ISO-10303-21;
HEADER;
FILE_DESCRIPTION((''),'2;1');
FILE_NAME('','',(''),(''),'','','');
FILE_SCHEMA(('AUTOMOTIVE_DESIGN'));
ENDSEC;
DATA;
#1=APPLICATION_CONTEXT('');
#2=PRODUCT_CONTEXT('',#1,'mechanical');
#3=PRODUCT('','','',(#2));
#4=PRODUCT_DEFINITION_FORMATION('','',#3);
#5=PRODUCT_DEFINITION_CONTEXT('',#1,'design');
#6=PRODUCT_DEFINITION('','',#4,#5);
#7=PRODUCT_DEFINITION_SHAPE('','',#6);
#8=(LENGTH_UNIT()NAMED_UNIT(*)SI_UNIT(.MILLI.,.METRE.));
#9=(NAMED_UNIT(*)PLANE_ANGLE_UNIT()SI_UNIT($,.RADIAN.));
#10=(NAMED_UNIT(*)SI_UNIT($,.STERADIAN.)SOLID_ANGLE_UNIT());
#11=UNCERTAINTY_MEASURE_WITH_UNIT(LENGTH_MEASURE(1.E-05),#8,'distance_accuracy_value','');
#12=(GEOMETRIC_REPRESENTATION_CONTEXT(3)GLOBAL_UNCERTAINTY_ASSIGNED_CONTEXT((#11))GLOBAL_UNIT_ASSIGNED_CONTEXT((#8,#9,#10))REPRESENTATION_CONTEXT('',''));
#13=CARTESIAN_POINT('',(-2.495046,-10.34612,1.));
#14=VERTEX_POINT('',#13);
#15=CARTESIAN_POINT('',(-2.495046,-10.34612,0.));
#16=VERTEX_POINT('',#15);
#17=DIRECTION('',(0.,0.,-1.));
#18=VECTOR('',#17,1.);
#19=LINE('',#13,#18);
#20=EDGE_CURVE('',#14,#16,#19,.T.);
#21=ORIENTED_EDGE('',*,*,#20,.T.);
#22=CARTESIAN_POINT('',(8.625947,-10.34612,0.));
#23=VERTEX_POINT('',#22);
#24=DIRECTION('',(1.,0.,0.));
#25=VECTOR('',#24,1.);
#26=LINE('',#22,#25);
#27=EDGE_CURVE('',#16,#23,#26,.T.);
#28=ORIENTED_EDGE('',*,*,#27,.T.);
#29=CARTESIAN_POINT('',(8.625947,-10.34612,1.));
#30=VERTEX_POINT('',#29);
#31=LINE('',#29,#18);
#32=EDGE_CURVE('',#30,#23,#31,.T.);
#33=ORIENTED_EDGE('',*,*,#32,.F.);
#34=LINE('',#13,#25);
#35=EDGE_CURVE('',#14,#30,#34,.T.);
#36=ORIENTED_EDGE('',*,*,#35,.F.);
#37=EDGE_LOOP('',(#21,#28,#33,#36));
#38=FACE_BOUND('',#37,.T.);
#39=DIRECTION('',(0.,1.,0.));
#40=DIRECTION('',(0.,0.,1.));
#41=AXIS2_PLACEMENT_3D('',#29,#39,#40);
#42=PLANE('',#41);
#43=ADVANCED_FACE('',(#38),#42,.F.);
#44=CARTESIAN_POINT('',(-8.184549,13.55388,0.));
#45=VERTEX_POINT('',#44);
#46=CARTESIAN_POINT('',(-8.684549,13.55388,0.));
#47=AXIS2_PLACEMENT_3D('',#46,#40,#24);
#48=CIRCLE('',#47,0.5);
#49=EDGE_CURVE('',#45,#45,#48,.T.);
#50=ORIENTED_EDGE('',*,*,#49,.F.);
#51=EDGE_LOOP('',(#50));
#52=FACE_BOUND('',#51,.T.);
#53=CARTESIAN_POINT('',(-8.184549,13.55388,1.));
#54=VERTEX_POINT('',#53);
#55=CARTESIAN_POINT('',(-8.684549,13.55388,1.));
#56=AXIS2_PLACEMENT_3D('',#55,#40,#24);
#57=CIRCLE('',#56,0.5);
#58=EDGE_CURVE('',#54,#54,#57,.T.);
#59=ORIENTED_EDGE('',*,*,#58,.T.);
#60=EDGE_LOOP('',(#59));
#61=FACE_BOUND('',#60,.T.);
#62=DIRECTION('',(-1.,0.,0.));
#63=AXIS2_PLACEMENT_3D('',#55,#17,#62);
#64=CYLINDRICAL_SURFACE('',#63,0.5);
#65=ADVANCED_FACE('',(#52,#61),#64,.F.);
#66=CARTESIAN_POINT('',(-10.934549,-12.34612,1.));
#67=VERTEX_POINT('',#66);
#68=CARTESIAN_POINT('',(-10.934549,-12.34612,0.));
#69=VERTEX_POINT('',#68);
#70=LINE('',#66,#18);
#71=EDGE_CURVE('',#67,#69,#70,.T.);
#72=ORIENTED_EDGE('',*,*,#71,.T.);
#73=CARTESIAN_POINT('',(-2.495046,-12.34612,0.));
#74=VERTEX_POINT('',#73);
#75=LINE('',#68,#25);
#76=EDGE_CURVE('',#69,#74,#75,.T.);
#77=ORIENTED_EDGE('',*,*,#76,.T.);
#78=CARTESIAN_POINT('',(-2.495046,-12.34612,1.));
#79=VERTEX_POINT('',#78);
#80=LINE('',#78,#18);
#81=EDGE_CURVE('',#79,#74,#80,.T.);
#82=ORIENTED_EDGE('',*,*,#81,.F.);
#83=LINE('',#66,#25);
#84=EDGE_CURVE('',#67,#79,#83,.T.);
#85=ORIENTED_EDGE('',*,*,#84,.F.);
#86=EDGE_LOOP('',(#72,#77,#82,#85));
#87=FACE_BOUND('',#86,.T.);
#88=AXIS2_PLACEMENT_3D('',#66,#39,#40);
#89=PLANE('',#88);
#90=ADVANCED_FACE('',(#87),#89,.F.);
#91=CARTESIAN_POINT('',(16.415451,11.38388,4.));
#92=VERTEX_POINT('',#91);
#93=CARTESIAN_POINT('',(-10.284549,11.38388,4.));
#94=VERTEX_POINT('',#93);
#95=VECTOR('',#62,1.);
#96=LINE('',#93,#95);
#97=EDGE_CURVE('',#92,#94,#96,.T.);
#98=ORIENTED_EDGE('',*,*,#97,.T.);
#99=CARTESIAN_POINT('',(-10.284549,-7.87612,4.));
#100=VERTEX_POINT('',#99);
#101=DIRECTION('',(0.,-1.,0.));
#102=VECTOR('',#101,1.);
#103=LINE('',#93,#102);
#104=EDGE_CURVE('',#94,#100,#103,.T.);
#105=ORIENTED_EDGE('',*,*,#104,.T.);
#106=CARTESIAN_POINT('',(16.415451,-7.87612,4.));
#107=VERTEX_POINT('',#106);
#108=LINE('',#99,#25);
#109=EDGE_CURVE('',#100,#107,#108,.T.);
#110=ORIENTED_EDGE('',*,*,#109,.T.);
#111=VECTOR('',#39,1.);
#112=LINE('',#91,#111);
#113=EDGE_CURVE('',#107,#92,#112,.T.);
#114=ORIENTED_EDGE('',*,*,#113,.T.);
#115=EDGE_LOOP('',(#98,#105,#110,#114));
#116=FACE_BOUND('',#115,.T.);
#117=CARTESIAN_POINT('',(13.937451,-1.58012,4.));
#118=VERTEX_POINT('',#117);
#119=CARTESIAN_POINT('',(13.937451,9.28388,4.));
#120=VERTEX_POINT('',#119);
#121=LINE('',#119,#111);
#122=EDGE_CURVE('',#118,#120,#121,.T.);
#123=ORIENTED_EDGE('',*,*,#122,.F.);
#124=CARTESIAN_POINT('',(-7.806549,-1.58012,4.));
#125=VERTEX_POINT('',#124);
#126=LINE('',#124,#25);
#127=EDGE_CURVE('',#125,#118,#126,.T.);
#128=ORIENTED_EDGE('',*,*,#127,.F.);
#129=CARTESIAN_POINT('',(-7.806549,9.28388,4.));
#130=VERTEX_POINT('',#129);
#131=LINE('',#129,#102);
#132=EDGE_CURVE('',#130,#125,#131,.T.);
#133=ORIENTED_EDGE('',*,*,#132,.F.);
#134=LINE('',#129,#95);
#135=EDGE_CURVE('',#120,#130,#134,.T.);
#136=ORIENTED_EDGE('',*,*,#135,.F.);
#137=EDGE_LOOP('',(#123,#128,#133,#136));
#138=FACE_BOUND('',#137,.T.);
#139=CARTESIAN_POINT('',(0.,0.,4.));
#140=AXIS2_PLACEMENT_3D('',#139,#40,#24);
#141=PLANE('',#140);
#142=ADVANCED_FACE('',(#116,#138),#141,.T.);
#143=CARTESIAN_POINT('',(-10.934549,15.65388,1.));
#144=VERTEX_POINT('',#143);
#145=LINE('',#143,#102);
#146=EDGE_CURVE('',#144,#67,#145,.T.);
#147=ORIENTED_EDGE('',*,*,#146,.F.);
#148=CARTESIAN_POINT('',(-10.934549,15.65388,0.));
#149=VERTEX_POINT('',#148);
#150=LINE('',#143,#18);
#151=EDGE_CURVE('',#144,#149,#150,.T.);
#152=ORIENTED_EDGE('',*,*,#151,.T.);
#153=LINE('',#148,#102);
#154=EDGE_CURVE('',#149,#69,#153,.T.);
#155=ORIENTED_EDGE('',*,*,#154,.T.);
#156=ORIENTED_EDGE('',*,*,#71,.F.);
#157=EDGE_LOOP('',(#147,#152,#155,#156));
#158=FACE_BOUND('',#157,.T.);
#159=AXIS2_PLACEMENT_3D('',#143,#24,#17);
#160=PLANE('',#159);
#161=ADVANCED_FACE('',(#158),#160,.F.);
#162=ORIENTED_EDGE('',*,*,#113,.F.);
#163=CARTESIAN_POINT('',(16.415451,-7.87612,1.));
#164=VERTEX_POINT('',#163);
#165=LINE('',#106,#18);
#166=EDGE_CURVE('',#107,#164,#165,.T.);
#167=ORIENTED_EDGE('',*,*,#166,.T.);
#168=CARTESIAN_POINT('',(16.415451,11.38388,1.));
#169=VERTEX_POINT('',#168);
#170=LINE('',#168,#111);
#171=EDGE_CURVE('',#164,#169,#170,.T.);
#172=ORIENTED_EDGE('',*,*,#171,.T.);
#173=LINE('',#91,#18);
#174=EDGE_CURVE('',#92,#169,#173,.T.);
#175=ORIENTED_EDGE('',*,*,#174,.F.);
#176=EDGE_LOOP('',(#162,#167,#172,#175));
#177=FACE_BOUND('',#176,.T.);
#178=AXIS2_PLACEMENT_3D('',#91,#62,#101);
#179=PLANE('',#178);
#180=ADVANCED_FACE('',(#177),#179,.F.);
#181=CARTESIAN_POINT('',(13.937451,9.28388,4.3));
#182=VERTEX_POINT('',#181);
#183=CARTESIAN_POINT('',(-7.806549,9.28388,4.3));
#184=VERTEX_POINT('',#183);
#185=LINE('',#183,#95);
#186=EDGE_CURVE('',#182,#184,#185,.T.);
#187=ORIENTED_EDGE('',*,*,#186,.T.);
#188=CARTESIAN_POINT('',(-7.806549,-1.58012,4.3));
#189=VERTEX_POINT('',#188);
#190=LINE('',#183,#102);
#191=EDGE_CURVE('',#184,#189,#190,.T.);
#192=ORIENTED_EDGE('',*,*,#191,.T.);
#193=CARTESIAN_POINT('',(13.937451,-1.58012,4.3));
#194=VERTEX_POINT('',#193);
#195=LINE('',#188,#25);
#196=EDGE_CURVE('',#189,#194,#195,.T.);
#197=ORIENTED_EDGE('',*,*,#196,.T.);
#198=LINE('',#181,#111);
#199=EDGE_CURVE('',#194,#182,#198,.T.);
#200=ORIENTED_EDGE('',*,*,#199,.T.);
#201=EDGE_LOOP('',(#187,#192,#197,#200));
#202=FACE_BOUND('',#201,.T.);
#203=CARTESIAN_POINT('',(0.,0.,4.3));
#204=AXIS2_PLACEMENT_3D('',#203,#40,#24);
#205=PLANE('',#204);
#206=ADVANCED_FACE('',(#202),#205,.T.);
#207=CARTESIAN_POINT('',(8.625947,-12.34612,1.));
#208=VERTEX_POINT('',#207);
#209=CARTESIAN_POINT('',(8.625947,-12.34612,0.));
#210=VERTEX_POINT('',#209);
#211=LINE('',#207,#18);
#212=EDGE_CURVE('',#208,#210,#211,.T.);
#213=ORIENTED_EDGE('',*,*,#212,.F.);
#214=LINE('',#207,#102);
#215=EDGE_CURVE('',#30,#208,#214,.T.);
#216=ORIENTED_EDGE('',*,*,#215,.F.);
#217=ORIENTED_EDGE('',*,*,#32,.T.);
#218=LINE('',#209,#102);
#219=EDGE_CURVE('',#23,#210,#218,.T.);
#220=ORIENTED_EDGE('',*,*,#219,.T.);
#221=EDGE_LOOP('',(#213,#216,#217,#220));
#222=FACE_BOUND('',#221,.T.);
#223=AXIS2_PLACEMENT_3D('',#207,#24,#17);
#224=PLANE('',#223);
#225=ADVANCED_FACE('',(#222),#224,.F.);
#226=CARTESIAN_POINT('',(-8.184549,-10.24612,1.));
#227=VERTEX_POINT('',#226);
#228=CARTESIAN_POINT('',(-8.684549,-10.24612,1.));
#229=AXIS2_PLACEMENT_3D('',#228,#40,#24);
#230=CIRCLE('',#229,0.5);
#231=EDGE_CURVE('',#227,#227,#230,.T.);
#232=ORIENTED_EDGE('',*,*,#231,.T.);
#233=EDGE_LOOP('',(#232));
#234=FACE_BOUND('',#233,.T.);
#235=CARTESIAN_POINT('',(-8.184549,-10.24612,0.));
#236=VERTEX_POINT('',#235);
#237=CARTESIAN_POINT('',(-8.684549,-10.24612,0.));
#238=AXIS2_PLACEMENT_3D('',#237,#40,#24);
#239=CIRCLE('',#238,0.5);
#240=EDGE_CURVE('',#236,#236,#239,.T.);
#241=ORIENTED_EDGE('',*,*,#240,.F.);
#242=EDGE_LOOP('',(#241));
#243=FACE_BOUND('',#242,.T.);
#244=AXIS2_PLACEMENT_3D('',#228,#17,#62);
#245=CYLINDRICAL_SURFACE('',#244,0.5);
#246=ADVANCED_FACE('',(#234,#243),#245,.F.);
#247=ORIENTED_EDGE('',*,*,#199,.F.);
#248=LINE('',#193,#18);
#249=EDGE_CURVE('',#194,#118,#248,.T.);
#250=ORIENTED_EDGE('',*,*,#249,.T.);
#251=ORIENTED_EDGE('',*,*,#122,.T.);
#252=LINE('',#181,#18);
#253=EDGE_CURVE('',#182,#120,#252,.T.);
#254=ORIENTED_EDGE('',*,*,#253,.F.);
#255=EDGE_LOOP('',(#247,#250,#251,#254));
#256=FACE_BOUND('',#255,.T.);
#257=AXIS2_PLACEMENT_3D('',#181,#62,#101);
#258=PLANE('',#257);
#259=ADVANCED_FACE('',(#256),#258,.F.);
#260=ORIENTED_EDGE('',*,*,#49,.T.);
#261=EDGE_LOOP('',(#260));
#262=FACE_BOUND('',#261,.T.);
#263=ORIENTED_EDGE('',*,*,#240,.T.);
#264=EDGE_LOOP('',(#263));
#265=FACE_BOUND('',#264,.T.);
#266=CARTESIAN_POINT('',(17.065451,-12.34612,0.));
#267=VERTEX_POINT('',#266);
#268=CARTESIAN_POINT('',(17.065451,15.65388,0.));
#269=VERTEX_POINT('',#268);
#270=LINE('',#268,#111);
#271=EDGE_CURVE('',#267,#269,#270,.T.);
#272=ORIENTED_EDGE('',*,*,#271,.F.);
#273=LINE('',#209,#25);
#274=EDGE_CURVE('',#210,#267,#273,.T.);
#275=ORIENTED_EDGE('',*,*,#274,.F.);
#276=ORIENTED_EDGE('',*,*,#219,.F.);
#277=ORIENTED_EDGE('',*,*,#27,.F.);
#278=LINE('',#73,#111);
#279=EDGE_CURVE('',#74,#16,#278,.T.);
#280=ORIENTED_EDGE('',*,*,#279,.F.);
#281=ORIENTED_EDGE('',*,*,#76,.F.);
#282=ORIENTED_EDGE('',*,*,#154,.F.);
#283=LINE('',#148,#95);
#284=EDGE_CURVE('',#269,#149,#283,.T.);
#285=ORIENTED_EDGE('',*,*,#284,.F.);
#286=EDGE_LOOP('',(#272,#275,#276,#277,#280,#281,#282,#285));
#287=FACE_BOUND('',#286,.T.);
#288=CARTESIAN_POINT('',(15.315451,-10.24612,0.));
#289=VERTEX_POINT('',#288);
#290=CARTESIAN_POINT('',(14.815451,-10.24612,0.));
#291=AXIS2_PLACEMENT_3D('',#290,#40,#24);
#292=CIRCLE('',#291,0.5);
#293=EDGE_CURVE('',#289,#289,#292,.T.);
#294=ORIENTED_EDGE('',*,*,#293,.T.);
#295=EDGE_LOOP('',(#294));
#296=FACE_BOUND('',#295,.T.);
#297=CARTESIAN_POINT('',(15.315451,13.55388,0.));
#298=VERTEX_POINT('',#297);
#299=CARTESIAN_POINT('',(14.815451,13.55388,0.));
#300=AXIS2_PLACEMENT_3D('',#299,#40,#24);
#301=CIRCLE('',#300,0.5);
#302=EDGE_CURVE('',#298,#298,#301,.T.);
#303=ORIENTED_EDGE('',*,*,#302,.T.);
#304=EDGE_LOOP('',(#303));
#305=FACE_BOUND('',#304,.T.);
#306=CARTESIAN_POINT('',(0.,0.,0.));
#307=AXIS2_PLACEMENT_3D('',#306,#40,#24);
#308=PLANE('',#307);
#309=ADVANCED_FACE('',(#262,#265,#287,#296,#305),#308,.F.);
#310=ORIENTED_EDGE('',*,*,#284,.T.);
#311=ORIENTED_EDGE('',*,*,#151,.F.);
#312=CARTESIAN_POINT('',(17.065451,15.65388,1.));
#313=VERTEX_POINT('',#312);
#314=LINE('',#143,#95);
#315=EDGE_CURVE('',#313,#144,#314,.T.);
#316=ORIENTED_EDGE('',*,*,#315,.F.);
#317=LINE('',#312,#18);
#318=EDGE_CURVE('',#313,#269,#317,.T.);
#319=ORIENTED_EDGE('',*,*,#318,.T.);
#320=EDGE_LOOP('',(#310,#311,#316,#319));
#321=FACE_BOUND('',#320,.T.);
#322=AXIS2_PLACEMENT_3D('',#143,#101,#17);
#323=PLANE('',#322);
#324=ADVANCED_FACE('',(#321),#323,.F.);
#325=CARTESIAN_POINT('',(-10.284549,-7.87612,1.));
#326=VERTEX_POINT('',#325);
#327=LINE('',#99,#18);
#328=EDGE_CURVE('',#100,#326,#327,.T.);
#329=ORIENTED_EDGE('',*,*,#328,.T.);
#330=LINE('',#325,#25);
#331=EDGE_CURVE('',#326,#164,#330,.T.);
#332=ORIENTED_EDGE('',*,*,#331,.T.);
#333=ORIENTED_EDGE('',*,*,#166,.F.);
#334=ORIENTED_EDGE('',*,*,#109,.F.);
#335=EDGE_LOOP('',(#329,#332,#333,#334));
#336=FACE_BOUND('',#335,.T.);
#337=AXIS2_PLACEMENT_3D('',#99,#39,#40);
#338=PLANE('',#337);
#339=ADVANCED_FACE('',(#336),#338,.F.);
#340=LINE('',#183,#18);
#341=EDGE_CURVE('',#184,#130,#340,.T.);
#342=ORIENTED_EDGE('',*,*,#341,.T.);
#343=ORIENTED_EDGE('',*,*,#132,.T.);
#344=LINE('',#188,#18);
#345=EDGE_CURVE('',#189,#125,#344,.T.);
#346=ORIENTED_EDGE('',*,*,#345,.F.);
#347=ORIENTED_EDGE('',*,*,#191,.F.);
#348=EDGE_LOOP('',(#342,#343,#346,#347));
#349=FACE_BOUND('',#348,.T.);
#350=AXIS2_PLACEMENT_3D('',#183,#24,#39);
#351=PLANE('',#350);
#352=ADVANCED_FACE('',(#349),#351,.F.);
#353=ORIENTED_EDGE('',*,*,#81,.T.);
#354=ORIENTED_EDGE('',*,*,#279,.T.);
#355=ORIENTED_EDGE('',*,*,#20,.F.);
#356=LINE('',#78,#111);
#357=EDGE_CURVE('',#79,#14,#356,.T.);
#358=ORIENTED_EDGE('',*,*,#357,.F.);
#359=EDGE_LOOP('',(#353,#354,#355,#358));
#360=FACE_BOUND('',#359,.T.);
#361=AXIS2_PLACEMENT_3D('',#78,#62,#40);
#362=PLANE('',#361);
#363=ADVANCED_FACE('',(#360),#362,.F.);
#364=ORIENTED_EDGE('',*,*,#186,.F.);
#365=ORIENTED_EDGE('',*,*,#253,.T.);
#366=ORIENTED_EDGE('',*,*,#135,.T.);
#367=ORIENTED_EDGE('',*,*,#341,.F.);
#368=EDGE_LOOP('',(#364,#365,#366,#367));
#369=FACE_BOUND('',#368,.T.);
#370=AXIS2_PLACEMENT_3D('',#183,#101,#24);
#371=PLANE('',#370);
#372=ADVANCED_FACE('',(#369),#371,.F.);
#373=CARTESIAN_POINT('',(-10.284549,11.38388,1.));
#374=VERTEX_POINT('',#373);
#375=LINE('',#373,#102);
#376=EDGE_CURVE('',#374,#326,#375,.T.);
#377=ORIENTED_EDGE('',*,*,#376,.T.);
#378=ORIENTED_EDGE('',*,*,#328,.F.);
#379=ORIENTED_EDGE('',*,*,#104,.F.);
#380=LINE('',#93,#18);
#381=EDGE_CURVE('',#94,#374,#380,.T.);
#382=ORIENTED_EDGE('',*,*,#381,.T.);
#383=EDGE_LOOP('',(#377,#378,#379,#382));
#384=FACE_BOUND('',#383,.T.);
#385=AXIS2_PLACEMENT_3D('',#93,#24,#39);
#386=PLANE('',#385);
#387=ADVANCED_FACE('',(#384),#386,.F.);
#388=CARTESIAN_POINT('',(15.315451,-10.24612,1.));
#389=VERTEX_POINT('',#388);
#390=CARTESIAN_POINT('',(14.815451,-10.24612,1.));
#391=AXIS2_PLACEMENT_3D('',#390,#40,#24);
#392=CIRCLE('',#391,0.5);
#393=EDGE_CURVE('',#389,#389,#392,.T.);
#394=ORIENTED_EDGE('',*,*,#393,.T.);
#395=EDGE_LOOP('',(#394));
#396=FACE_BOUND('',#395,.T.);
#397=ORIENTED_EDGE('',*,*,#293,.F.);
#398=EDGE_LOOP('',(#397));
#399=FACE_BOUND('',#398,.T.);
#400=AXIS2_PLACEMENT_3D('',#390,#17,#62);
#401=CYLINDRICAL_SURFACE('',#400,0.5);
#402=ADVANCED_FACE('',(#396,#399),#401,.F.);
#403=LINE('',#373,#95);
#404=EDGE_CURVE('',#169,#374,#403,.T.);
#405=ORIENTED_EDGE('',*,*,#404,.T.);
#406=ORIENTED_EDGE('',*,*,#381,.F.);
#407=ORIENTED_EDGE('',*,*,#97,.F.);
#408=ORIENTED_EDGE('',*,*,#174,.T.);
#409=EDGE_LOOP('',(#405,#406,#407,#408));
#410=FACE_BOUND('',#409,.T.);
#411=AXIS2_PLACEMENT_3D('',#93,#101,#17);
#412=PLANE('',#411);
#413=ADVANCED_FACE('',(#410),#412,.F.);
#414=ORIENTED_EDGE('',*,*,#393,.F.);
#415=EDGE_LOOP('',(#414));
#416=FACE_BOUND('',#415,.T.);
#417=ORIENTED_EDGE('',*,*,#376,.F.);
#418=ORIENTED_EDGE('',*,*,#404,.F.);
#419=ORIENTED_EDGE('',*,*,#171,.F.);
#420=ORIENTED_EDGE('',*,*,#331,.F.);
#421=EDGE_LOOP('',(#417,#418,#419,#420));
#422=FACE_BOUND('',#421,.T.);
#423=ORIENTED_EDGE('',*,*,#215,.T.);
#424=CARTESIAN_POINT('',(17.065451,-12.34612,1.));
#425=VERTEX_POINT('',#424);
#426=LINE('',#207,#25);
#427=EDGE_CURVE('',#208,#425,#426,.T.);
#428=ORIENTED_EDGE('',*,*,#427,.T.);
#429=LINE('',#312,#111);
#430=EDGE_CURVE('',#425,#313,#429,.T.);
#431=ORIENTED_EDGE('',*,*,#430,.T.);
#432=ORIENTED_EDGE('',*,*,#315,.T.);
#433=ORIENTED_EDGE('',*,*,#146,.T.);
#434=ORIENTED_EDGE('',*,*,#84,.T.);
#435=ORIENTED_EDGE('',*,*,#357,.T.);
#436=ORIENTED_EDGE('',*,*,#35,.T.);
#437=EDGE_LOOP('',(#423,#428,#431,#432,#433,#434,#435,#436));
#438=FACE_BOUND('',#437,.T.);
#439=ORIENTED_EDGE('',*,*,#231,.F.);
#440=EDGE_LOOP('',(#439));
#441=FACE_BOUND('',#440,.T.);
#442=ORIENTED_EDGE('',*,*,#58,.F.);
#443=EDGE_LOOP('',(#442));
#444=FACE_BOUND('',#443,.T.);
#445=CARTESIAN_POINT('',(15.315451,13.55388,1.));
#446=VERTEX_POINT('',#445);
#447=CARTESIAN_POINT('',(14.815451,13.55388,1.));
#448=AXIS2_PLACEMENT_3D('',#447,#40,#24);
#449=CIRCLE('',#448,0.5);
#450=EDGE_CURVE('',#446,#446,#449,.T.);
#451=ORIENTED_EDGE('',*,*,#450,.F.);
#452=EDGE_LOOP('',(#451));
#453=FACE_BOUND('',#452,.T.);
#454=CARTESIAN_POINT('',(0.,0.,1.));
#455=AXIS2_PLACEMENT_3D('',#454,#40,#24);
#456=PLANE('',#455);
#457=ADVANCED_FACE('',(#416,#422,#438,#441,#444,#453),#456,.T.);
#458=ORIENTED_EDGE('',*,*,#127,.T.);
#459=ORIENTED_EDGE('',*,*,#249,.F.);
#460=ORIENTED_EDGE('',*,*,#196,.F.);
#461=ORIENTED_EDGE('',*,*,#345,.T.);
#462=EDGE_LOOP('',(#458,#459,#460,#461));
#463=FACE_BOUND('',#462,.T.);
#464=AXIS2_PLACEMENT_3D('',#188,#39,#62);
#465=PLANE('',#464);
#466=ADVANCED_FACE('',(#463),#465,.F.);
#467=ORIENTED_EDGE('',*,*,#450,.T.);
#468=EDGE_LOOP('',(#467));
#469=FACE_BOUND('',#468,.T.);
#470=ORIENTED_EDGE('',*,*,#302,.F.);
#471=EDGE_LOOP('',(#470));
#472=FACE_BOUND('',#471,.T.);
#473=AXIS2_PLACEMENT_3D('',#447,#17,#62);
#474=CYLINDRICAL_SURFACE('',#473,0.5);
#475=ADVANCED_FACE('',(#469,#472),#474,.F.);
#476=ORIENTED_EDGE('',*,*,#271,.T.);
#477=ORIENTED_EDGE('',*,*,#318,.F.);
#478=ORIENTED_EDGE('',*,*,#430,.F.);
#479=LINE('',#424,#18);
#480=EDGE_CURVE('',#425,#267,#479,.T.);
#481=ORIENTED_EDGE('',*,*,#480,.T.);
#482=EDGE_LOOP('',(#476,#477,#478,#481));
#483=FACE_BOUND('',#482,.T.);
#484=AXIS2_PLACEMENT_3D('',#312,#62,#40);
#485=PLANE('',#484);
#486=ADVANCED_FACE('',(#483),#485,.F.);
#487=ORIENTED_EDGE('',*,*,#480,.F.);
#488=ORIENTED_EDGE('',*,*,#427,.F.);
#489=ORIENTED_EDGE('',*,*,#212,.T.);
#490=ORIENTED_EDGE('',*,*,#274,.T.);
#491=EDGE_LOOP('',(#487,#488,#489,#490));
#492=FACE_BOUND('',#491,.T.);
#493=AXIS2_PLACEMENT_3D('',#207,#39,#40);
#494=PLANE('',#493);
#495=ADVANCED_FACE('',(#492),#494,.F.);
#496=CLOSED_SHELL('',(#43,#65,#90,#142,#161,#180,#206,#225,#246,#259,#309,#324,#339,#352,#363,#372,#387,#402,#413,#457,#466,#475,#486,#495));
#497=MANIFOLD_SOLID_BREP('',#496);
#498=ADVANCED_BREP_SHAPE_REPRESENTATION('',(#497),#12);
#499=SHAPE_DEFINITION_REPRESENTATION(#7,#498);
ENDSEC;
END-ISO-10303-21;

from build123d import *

# Parameters (mm, degrees)
ESQUISSE1_R        = 0.5
BOSS_EXTRU_1_DEPTH = 1
ESQUISSE2_W        = 26.7
ESQUISSE2_H        = 19.26
BOSS_EXTRU_2_DEPTH = 3
ESQUISSE4_W        = 21.744
ESQUISSE4_H        = 10.864
BOSS_EXTRU_3_DEPTH = 0.3


with BuildPart() as part:
    # Esquisse1 → Boss.-Extru.1 (new body)
    with BuildSketch(Plane.XY):
        Polygon((-10.934549339, 15.65387995), (17.065450661, 15.65387995), (17.065450661, -12.34612005), (8.625947463, -12.34612005), (8.625947463, -10.34612005), (3.065450661, -10.34612005), (-2.495046141, -10.34612005), (-2.495046141, -12.34612005), (-10.934549339, -12.34612005), align=None)
        with Locations((-8.684549339, -10.24612005)):
            Circle(ESQUISSE1_R, mode=Mode.SUBTRACT)
        with Locations((-8.684549339, 13.55387995)):
            Circle(ESQUISSE1_R, mode=Mode.SUBTRACT)
        with Locations((14.815450661, 13.55387995)):
            Circle(ESQUISSE1_R, mode=Mode.SUBTRACT)
        with Locations((14.815450661, -10.24612005)):
            Circle(ESQUISSE1_R, mode=Mode.SUBTRACT)
    extrude(amount=BOSS_EXTRU_1_DEPTH)

    # Esquisse2 → Boss.-Extru.2 (add)
    with BuildSketch(Plane.XY.offset(1)):
        with Locations((3.065450661, 1.75387995)):
            Rectangle(ESQUISSE2_W, ESQUISSE2_H)
    extrude(amount=BOSS_EXTRU_2_DEPTH)

    # Esquisse4 → Boss.-Extru.3 (add)
    with BuildSketch(Plane.XY.offset(4)):
        with Locations((3.065450661, 3.85187995)):
            Rectangle(ESQUISSE4_W, ESQUISSE4_H)
    extrude(amount=BOSS_EXTRU_3_DEPTH)


solid = part.part
